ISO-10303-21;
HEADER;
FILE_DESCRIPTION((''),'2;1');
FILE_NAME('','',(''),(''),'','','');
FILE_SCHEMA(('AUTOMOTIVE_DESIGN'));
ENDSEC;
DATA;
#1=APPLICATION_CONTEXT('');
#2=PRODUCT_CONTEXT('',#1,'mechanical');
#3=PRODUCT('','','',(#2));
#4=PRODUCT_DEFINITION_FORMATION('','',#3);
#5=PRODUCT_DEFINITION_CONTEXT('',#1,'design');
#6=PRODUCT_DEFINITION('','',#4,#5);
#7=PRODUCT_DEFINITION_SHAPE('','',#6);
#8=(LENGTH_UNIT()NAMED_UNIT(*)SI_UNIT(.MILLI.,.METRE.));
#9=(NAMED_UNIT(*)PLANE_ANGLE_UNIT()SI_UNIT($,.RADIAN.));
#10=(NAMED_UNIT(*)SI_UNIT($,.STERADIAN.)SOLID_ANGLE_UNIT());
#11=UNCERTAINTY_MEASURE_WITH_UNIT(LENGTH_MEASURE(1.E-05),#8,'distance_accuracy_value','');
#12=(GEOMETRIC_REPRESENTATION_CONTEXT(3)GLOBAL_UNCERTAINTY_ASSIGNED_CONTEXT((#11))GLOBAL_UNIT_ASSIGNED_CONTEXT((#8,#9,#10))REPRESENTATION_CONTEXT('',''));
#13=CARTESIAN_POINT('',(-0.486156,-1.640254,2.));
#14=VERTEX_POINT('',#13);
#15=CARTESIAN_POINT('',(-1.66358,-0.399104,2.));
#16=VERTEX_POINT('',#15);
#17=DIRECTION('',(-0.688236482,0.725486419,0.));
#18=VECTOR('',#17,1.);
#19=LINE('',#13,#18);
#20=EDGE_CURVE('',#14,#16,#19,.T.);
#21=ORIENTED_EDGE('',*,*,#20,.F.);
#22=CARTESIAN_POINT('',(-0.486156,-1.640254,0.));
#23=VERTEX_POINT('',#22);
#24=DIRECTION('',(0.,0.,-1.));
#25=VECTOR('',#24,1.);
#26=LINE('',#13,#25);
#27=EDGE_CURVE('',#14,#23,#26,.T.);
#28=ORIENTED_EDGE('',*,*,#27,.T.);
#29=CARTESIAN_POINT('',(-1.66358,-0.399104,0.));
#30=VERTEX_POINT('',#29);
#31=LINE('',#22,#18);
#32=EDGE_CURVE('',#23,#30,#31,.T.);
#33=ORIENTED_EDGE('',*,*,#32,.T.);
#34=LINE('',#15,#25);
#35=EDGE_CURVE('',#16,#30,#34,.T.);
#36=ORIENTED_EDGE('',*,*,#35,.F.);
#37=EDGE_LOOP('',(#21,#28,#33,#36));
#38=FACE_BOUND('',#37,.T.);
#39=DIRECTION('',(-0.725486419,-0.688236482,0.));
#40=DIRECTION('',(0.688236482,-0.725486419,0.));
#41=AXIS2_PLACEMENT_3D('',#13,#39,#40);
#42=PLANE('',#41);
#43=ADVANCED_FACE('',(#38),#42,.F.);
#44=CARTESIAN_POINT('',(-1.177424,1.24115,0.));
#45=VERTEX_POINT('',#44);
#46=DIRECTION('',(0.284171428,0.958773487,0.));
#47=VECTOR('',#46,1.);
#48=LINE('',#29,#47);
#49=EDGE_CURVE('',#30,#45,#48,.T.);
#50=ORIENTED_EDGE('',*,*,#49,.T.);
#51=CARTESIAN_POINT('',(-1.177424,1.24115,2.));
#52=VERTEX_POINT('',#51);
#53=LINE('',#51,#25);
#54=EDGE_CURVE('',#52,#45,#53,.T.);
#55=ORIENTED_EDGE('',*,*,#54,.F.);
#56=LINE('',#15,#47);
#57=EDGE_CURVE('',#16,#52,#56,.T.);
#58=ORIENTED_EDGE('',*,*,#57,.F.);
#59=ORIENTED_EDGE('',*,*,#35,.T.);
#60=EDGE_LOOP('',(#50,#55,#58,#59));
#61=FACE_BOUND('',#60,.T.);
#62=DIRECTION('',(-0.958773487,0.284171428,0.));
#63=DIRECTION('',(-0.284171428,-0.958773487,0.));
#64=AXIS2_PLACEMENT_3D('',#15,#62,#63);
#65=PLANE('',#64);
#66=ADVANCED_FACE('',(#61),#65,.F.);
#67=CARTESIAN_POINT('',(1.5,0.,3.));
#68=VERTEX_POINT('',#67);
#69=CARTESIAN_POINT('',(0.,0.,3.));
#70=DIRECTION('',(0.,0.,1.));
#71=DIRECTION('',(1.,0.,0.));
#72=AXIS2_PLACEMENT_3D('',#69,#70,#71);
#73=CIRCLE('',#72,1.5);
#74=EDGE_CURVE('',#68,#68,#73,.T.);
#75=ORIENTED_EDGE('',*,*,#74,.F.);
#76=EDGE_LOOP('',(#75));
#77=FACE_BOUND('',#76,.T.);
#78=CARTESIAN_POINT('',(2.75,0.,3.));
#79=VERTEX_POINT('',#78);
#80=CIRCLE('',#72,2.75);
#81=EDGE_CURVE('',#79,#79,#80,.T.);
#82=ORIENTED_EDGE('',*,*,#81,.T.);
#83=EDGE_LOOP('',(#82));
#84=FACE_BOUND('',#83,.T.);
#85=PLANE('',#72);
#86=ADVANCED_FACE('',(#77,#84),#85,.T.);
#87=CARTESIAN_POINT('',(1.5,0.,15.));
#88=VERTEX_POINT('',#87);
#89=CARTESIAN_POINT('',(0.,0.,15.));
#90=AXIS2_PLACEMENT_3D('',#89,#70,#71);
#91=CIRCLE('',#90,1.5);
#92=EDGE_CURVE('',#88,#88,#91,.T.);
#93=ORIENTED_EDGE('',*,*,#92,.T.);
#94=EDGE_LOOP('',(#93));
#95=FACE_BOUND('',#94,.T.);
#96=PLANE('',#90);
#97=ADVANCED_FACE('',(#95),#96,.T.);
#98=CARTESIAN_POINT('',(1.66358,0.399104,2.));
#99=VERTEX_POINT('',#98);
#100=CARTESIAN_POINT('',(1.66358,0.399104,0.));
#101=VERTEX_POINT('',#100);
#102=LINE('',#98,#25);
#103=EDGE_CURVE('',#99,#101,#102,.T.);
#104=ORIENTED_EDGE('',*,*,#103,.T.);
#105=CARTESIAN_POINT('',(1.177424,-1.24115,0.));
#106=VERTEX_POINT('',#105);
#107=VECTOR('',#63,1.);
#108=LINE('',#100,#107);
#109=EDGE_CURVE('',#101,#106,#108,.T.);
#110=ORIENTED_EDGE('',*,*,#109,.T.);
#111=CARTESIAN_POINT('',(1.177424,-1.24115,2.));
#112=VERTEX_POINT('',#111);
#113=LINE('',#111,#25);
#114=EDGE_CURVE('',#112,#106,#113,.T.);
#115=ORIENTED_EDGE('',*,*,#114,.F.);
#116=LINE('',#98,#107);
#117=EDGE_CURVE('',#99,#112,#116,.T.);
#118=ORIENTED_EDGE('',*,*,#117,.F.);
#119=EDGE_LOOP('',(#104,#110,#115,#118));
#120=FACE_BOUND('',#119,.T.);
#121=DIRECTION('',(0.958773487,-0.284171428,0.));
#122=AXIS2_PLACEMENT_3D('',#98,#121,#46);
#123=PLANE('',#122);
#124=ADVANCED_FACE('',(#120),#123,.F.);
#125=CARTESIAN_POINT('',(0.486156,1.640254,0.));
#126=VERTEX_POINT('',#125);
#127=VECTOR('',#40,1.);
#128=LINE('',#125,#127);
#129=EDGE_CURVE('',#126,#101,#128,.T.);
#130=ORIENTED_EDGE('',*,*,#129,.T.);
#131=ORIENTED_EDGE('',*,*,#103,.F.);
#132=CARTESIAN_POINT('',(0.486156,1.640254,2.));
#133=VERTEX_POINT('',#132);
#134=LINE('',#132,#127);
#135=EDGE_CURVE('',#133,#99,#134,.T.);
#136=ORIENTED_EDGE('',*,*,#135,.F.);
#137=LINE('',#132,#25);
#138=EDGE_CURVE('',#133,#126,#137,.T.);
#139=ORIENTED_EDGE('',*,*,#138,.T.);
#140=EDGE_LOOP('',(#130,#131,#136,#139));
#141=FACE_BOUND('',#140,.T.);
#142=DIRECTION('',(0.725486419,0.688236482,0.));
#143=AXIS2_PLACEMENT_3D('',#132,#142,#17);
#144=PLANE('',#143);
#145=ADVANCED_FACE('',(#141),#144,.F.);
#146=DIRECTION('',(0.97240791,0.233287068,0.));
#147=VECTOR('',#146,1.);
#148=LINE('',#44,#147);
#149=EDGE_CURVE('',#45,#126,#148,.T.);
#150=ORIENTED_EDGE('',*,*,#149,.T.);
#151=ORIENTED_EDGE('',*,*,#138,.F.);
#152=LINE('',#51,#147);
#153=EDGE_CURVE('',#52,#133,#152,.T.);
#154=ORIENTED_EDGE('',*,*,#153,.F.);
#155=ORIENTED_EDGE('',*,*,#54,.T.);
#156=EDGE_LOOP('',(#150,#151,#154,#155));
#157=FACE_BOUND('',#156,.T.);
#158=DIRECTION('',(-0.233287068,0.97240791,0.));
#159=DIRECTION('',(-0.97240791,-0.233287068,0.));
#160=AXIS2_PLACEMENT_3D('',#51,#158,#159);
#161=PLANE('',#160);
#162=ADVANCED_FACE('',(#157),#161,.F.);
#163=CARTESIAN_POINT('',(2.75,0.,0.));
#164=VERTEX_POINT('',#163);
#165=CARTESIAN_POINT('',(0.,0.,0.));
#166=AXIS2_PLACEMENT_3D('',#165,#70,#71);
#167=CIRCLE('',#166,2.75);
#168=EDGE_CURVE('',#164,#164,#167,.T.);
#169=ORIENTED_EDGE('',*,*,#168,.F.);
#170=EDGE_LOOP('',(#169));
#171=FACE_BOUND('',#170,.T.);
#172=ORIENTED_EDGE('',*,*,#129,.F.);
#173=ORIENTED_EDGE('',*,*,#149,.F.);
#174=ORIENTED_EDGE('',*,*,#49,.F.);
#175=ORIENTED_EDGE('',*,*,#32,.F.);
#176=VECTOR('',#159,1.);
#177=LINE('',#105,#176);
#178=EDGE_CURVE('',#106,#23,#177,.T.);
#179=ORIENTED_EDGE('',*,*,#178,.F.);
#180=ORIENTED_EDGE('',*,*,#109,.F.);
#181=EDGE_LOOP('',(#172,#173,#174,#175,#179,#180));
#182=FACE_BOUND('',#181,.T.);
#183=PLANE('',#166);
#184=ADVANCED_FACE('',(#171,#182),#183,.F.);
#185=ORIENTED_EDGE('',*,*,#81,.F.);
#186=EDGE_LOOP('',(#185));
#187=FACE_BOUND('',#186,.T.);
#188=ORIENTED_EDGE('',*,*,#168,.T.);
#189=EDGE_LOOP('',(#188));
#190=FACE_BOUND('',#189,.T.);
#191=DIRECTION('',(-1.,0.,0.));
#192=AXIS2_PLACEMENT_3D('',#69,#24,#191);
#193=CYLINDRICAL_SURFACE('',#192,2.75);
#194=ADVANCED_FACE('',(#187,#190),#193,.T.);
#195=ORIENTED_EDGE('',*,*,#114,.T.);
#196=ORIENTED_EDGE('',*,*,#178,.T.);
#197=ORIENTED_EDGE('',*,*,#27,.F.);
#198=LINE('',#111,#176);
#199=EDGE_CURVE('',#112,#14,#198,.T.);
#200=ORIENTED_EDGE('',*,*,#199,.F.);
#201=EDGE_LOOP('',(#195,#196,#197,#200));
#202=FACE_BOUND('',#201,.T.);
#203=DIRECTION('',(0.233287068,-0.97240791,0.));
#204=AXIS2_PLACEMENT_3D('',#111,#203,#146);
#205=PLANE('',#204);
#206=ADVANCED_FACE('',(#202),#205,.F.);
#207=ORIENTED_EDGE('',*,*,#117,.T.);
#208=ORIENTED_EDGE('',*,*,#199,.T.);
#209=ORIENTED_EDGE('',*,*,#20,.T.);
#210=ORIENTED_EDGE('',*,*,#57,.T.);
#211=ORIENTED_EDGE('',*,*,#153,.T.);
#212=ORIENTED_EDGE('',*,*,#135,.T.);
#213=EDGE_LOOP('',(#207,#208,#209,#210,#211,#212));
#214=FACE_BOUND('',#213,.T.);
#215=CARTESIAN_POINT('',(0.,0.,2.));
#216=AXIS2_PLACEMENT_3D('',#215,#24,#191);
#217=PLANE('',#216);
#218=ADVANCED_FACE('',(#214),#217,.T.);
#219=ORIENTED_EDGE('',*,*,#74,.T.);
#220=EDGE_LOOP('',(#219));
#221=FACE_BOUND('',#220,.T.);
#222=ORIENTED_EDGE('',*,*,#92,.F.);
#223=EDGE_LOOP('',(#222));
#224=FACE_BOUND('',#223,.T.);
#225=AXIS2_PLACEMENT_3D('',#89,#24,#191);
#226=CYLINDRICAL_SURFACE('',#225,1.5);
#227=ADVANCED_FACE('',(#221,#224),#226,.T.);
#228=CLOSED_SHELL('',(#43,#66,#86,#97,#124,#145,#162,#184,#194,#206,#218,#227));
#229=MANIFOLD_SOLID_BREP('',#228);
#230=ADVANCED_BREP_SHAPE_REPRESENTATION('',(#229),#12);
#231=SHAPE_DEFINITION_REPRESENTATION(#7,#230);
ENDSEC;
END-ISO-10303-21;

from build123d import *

# Parameters (mm, degrees)
SKETCH_1_R          = 2.75
EXTRUDE_1_DEPTH     = 3
SKETCH_2_R          = 1.5
EXTRUDE_2_DEPTH     = 12
CUT_EXTRUDE_1_DEPTH = 2


with BuildPart() as part:
    # ｽｹｯﾁ1 → ﾎﾞｽ - 押し出し1 (new body)
    with BuildSketch(Plane.XY):
        Circle(SKETCH_1_R)
    extrude(amount=EXTRUDE_1_DEPTH)

    # ｽｹｯﾁ2 → ﾎﾞｽ - 押し出し2 (add)
    with BuildSketch(Plane.XY.offset(3)):
        Circle(SKETCH_2_R)
    extrude(amount=EXTRUDE_2_DEPTH)

    # ｽｹｯﾁ3 → ｶｯﾄ - 押し出し1 (cut)
    with BuildSketch(Plane(origin=(0, 0, 0), x_dir=(-1, 0, 0), z_dir=(0, 0, -1))):
        Polygon((1.66357981, -0.399103763), (1.177423903, 1.241150495), (-0.486155907, 1.640254258), (-1.66357981, 0.399103763), (-1.177423903, -1.241150495), (0.486155907, -1.640254258), align=None)
    extrude(amount=-CUT_EXTRUDE_1_DEPTH, mode=Mode.SUBTRACT)


solid = part.part
